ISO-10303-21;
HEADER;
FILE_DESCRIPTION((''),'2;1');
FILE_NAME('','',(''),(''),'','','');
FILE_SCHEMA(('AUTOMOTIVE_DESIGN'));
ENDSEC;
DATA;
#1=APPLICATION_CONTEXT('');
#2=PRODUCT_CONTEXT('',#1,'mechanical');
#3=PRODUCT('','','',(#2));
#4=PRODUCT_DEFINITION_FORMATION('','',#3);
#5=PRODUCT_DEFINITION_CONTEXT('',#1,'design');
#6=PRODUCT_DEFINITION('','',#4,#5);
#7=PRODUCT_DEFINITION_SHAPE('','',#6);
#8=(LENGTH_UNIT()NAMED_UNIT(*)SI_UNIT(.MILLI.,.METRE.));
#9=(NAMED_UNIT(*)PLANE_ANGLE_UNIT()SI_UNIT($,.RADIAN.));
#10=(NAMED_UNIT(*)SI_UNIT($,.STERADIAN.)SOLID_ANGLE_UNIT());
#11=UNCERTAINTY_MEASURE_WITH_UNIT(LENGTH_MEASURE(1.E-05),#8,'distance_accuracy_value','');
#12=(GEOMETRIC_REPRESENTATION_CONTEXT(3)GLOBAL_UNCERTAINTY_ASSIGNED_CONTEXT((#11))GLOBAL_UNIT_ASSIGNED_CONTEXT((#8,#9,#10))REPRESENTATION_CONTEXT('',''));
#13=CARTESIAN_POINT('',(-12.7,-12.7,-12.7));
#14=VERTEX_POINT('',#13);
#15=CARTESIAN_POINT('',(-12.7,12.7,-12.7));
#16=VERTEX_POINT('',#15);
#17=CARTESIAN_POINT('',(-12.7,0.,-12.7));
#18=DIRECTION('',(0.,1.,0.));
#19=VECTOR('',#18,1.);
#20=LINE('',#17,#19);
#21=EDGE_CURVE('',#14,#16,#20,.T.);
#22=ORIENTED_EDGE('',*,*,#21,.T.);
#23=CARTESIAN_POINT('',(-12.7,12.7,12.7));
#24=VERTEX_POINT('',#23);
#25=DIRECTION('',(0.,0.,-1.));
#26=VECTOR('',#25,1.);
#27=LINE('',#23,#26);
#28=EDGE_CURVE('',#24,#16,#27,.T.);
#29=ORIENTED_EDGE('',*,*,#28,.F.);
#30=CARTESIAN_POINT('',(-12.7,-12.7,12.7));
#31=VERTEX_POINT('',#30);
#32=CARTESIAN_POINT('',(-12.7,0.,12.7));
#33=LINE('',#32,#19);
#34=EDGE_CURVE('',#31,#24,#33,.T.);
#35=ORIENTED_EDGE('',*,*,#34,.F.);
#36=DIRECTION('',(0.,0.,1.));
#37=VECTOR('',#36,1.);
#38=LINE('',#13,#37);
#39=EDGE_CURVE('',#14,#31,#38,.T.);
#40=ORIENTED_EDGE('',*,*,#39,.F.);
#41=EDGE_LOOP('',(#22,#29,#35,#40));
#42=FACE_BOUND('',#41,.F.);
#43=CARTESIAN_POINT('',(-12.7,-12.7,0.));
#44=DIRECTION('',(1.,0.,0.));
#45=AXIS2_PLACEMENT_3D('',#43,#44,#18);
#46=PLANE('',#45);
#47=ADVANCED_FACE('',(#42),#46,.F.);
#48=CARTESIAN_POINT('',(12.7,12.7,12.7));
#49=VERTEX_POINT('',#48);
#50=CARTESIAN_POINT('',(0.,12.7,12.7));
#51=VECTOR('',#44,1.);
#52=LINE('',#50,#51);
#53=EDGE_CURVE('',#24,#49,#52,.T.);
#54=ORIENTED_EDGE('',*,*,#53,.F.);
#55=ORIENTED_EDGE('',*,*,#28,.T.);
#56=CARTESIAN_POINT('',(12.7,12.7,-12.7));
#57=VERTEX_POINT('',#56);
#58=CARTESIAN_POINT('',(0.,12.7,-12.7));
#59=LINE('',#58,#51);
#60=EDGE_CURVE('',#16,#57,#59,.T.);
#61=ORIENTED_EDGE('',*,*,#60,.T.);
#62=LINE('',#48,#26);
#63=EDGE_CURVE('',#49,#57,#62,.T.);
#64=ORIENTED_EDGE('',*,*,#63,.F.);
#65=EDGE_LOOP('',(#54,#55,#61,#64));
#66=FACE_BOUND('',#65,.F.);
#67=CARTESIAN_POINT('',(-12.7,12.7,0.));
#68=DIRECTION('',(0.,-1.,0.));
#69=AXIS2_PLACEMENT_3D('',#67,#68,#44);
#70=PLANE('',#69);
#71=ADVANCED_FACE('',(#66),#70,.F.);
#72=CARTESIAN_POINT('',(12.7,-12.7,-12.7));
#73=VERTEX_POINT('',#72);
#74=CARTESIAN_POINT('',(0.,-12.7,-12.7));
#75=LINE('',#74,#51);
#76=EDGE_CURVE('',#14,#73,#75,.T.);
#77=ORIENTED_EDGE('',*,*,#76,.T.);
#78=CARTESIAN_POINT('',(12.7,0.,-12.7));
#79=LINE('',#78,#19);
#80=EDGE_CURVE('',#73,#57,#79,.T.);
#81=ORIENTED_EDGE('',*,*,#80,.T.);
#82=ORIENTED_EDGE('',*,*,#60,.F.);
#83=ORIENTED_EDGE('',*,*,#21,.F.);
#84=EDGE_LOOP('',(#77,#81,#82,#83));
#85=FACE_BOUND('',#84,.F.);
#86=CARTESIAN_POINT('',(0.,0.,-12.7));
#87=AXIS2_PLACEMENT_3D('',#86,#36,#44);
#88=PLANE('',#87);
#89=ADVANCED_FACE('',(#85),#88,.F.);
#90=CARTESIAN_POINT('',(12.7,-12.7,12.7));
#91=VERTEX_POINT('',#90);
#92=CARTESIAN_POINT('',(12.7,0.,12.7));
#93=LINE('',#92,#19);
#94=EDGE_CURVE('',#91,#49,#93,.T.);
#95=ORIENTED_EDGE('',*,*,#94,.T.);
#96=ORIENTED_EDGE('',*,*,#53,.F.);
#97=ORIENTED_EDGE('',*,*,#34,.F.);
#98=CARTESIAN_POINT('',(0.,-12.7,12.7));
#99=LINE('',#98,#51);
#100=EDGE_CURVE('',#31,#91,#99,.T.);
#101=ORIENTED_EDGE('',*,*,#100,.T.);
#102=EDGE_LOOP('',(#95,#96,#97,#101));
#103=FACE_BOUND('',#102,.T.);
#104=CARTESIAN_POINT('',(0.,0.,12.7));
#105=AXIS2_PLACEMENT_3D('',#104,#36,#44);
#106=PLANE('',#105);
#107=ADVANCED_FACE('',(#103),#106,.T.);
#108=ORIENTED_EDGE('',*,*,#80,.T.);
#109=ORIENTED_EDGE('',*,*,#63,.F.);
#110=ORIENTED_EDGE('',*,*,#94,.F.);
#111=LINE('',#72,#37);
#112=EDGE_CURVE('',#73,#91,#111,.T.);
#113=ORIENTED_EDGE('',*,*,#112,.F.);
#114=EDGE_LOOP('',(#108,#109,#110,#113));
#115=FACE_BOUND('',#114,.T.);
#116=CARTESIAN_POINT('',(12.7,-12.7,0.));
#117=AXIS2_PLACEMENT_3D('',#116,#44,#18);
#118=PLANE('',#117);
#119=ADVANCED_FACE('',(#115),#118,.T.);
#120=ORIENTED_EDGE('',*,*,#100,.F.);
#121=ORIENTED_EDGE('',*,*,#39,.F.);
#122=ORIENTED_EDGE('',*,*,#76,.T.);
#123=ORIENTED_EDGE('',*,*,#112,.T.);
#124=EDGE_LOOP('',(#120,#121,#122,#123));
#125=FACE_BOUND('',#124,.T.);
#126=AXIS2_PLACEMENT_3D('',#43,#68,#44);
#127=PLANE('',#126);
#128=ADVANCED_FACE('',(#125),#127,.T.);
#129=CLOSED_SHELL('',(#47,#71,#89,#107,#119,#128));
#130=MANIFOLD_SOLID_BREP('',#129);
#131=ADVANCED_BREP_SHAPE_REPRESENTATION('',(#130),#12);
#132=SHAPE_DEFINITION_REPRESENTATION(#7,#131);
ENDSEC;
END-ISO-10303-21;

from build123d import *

# Parameters (mm, degrees)
SKETCH_W  = 25.4
SKETCH_H  = 25.4
PAD_DEPTH = 12.7


with BuildPart() as part:
    # Sketch → Pad (new body, symmetric)
    with BuildSketch(Plane.XY):
        Rectangle(SKETCH_W, SKETCH_H)
    extrude(amount=PAD_DEPTH, both=True)


solid = part.part
